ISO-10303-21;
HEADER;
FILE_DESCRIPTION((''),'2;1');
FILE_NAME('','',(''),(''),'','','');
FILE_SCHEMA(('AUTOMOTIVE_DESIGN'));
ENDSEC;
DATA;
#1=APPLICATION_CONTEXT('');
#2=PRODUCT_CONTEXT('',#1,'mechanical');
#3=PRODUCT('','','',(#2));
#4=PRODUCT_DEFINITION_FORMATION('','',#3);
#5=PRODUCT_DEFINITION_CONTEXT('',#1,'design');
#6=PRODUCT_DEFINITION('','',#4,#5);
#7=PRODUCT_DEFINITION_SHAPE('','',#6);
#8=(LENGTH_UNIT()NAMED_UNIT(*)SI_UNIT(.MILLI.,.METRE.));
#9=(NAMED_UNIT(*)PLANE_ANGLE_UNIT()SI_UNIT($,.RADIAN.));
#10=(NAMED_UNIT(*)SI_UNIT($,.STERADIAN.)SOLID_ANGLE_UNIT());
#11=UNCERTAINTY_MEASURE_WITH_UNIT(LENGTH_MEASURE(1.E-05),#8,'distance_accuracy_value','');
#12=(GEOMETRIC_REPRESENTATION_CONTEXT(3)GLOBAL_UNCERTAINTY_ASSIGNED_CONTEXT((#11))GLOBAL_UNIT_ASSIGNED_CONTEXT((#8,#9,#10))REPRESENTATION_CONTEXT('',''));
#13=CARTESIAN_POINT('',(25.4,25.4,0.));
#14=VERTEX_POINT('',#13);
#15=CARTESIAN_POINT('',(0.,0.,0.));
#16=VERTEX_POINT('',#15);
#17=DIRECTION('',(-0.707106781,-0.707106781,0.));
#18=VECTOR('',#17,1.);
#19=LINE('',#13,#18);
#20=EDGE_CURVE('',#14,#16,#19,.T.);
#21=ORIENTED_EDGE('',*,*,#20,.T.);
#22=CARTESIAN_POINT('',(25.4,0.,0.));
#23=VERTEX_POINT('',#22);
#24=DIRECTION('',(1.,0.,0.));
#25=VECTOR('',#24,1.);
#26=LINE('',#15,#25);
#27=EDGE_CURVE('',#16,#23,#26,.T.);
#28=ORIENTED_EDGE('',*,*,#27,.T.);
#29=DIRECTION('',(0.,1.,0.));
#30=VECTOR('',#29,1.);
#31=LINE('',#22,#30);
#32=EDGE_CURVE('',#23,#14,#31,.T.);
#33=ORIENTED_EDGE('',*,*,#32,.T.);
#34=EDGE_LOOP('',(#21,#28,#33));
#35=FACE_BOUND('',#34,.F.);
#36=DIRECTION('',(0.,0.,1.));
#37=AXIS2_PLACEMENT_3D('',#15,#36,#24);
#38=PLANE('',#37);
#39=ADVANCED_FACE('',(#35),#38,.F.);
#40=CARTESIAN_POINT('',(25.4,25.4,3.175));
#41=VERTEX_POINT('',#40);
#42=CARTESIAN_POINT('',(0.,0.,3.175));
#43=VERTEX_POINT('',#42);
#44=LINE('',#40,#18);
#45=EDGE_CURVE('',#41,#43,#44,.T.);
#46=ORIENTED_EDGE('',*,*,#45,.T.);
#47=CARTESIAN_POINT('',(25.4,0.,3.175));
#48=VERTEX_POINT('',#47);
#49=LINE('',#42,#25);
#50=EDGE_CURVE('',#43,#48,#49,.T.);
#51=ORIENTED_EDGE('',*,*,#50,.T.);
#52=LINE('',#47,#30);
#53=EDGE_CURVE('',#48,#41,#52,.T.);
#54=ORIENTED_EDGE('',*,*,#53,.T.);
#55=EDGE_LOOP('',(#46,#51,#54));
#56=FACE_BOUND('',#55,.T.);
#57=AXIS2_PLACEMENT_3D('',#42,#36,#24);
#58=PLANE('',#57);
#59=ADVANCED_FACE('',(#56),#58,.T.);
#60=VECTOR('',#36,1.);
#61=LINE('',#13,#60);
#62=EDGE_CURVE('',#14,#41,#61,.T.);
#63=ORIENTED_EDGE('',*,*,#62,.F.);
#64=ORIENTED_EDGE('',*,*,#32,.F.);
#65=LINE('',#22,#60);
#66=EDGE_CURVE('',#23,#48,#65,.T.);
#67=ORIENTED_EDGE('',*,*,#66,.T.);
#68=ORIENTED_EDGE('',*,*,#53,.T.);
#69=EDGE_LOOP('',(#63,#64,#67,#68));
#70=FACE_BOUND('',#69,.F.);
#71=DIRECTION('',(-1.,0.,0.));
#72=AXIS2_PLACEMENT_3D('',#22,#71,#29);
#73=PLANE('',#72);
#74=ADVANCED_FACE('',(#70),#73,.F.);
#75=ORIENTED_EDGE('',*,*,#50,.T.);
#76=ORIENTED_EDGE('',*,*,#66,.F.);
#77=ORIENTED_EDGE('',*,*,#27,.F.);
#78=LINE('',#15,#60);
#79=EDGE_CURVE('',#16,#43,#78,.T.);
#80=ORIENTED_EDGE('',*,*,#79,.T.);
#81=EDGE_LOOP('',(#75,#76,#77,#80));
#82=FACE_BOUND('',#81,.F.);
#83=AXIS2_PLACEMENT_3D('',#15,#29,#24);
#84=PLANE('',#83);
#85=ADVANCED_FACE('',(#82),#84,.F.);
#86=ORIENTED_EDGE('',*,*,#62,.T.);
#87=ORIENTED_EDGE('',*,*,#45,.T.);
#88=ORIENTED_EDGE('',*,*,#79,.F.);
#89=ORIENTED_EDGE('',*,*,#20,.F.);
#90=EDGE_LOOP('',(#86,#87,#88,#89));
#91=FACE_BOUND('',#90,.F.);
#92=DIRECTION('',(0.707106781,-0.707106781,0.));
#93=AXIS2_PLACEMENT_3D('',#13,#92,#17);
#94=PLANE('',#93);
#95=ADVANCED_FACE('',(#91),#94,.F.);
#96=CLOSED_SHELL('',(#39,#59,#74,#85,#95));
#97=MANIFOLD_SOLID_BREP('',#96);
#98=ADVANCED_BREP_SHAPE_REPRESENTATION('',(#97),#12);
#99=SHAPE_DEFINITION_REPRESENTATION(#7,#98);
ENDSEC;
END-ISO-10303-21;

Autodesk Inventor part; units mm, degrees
ref_plane "YZ Plane" through (0, 0, 0) normal (1, 0, 0) x (0, 1, 0)
ref_plane "XZ Plane" through (0, 0, 0) normal (0, 1, 0) x (-1, 0, 0)
ref_plane "XY Plane" through (0, 0, 0) normal (0, 0, 1) x (1, 0, 0)
sketch "Sketch1" plane through (0, 0, 0) normal (0, 0, 1) x (1, 0, 0)
  line L0 (0, 0) -> (25.4, 0)
  line L1 (25.4, 0) -> (25.4, 25.4)
  line L2 (25.4, 25.4) -> (0, 0)
  dimension "d0" = 25.4
  dimension "d1" = 25.4
extrude "Extrusion1" add sketch "Sketch1" along normal blind 3.175
properties part number "brak3" material "Iron, Gray"
